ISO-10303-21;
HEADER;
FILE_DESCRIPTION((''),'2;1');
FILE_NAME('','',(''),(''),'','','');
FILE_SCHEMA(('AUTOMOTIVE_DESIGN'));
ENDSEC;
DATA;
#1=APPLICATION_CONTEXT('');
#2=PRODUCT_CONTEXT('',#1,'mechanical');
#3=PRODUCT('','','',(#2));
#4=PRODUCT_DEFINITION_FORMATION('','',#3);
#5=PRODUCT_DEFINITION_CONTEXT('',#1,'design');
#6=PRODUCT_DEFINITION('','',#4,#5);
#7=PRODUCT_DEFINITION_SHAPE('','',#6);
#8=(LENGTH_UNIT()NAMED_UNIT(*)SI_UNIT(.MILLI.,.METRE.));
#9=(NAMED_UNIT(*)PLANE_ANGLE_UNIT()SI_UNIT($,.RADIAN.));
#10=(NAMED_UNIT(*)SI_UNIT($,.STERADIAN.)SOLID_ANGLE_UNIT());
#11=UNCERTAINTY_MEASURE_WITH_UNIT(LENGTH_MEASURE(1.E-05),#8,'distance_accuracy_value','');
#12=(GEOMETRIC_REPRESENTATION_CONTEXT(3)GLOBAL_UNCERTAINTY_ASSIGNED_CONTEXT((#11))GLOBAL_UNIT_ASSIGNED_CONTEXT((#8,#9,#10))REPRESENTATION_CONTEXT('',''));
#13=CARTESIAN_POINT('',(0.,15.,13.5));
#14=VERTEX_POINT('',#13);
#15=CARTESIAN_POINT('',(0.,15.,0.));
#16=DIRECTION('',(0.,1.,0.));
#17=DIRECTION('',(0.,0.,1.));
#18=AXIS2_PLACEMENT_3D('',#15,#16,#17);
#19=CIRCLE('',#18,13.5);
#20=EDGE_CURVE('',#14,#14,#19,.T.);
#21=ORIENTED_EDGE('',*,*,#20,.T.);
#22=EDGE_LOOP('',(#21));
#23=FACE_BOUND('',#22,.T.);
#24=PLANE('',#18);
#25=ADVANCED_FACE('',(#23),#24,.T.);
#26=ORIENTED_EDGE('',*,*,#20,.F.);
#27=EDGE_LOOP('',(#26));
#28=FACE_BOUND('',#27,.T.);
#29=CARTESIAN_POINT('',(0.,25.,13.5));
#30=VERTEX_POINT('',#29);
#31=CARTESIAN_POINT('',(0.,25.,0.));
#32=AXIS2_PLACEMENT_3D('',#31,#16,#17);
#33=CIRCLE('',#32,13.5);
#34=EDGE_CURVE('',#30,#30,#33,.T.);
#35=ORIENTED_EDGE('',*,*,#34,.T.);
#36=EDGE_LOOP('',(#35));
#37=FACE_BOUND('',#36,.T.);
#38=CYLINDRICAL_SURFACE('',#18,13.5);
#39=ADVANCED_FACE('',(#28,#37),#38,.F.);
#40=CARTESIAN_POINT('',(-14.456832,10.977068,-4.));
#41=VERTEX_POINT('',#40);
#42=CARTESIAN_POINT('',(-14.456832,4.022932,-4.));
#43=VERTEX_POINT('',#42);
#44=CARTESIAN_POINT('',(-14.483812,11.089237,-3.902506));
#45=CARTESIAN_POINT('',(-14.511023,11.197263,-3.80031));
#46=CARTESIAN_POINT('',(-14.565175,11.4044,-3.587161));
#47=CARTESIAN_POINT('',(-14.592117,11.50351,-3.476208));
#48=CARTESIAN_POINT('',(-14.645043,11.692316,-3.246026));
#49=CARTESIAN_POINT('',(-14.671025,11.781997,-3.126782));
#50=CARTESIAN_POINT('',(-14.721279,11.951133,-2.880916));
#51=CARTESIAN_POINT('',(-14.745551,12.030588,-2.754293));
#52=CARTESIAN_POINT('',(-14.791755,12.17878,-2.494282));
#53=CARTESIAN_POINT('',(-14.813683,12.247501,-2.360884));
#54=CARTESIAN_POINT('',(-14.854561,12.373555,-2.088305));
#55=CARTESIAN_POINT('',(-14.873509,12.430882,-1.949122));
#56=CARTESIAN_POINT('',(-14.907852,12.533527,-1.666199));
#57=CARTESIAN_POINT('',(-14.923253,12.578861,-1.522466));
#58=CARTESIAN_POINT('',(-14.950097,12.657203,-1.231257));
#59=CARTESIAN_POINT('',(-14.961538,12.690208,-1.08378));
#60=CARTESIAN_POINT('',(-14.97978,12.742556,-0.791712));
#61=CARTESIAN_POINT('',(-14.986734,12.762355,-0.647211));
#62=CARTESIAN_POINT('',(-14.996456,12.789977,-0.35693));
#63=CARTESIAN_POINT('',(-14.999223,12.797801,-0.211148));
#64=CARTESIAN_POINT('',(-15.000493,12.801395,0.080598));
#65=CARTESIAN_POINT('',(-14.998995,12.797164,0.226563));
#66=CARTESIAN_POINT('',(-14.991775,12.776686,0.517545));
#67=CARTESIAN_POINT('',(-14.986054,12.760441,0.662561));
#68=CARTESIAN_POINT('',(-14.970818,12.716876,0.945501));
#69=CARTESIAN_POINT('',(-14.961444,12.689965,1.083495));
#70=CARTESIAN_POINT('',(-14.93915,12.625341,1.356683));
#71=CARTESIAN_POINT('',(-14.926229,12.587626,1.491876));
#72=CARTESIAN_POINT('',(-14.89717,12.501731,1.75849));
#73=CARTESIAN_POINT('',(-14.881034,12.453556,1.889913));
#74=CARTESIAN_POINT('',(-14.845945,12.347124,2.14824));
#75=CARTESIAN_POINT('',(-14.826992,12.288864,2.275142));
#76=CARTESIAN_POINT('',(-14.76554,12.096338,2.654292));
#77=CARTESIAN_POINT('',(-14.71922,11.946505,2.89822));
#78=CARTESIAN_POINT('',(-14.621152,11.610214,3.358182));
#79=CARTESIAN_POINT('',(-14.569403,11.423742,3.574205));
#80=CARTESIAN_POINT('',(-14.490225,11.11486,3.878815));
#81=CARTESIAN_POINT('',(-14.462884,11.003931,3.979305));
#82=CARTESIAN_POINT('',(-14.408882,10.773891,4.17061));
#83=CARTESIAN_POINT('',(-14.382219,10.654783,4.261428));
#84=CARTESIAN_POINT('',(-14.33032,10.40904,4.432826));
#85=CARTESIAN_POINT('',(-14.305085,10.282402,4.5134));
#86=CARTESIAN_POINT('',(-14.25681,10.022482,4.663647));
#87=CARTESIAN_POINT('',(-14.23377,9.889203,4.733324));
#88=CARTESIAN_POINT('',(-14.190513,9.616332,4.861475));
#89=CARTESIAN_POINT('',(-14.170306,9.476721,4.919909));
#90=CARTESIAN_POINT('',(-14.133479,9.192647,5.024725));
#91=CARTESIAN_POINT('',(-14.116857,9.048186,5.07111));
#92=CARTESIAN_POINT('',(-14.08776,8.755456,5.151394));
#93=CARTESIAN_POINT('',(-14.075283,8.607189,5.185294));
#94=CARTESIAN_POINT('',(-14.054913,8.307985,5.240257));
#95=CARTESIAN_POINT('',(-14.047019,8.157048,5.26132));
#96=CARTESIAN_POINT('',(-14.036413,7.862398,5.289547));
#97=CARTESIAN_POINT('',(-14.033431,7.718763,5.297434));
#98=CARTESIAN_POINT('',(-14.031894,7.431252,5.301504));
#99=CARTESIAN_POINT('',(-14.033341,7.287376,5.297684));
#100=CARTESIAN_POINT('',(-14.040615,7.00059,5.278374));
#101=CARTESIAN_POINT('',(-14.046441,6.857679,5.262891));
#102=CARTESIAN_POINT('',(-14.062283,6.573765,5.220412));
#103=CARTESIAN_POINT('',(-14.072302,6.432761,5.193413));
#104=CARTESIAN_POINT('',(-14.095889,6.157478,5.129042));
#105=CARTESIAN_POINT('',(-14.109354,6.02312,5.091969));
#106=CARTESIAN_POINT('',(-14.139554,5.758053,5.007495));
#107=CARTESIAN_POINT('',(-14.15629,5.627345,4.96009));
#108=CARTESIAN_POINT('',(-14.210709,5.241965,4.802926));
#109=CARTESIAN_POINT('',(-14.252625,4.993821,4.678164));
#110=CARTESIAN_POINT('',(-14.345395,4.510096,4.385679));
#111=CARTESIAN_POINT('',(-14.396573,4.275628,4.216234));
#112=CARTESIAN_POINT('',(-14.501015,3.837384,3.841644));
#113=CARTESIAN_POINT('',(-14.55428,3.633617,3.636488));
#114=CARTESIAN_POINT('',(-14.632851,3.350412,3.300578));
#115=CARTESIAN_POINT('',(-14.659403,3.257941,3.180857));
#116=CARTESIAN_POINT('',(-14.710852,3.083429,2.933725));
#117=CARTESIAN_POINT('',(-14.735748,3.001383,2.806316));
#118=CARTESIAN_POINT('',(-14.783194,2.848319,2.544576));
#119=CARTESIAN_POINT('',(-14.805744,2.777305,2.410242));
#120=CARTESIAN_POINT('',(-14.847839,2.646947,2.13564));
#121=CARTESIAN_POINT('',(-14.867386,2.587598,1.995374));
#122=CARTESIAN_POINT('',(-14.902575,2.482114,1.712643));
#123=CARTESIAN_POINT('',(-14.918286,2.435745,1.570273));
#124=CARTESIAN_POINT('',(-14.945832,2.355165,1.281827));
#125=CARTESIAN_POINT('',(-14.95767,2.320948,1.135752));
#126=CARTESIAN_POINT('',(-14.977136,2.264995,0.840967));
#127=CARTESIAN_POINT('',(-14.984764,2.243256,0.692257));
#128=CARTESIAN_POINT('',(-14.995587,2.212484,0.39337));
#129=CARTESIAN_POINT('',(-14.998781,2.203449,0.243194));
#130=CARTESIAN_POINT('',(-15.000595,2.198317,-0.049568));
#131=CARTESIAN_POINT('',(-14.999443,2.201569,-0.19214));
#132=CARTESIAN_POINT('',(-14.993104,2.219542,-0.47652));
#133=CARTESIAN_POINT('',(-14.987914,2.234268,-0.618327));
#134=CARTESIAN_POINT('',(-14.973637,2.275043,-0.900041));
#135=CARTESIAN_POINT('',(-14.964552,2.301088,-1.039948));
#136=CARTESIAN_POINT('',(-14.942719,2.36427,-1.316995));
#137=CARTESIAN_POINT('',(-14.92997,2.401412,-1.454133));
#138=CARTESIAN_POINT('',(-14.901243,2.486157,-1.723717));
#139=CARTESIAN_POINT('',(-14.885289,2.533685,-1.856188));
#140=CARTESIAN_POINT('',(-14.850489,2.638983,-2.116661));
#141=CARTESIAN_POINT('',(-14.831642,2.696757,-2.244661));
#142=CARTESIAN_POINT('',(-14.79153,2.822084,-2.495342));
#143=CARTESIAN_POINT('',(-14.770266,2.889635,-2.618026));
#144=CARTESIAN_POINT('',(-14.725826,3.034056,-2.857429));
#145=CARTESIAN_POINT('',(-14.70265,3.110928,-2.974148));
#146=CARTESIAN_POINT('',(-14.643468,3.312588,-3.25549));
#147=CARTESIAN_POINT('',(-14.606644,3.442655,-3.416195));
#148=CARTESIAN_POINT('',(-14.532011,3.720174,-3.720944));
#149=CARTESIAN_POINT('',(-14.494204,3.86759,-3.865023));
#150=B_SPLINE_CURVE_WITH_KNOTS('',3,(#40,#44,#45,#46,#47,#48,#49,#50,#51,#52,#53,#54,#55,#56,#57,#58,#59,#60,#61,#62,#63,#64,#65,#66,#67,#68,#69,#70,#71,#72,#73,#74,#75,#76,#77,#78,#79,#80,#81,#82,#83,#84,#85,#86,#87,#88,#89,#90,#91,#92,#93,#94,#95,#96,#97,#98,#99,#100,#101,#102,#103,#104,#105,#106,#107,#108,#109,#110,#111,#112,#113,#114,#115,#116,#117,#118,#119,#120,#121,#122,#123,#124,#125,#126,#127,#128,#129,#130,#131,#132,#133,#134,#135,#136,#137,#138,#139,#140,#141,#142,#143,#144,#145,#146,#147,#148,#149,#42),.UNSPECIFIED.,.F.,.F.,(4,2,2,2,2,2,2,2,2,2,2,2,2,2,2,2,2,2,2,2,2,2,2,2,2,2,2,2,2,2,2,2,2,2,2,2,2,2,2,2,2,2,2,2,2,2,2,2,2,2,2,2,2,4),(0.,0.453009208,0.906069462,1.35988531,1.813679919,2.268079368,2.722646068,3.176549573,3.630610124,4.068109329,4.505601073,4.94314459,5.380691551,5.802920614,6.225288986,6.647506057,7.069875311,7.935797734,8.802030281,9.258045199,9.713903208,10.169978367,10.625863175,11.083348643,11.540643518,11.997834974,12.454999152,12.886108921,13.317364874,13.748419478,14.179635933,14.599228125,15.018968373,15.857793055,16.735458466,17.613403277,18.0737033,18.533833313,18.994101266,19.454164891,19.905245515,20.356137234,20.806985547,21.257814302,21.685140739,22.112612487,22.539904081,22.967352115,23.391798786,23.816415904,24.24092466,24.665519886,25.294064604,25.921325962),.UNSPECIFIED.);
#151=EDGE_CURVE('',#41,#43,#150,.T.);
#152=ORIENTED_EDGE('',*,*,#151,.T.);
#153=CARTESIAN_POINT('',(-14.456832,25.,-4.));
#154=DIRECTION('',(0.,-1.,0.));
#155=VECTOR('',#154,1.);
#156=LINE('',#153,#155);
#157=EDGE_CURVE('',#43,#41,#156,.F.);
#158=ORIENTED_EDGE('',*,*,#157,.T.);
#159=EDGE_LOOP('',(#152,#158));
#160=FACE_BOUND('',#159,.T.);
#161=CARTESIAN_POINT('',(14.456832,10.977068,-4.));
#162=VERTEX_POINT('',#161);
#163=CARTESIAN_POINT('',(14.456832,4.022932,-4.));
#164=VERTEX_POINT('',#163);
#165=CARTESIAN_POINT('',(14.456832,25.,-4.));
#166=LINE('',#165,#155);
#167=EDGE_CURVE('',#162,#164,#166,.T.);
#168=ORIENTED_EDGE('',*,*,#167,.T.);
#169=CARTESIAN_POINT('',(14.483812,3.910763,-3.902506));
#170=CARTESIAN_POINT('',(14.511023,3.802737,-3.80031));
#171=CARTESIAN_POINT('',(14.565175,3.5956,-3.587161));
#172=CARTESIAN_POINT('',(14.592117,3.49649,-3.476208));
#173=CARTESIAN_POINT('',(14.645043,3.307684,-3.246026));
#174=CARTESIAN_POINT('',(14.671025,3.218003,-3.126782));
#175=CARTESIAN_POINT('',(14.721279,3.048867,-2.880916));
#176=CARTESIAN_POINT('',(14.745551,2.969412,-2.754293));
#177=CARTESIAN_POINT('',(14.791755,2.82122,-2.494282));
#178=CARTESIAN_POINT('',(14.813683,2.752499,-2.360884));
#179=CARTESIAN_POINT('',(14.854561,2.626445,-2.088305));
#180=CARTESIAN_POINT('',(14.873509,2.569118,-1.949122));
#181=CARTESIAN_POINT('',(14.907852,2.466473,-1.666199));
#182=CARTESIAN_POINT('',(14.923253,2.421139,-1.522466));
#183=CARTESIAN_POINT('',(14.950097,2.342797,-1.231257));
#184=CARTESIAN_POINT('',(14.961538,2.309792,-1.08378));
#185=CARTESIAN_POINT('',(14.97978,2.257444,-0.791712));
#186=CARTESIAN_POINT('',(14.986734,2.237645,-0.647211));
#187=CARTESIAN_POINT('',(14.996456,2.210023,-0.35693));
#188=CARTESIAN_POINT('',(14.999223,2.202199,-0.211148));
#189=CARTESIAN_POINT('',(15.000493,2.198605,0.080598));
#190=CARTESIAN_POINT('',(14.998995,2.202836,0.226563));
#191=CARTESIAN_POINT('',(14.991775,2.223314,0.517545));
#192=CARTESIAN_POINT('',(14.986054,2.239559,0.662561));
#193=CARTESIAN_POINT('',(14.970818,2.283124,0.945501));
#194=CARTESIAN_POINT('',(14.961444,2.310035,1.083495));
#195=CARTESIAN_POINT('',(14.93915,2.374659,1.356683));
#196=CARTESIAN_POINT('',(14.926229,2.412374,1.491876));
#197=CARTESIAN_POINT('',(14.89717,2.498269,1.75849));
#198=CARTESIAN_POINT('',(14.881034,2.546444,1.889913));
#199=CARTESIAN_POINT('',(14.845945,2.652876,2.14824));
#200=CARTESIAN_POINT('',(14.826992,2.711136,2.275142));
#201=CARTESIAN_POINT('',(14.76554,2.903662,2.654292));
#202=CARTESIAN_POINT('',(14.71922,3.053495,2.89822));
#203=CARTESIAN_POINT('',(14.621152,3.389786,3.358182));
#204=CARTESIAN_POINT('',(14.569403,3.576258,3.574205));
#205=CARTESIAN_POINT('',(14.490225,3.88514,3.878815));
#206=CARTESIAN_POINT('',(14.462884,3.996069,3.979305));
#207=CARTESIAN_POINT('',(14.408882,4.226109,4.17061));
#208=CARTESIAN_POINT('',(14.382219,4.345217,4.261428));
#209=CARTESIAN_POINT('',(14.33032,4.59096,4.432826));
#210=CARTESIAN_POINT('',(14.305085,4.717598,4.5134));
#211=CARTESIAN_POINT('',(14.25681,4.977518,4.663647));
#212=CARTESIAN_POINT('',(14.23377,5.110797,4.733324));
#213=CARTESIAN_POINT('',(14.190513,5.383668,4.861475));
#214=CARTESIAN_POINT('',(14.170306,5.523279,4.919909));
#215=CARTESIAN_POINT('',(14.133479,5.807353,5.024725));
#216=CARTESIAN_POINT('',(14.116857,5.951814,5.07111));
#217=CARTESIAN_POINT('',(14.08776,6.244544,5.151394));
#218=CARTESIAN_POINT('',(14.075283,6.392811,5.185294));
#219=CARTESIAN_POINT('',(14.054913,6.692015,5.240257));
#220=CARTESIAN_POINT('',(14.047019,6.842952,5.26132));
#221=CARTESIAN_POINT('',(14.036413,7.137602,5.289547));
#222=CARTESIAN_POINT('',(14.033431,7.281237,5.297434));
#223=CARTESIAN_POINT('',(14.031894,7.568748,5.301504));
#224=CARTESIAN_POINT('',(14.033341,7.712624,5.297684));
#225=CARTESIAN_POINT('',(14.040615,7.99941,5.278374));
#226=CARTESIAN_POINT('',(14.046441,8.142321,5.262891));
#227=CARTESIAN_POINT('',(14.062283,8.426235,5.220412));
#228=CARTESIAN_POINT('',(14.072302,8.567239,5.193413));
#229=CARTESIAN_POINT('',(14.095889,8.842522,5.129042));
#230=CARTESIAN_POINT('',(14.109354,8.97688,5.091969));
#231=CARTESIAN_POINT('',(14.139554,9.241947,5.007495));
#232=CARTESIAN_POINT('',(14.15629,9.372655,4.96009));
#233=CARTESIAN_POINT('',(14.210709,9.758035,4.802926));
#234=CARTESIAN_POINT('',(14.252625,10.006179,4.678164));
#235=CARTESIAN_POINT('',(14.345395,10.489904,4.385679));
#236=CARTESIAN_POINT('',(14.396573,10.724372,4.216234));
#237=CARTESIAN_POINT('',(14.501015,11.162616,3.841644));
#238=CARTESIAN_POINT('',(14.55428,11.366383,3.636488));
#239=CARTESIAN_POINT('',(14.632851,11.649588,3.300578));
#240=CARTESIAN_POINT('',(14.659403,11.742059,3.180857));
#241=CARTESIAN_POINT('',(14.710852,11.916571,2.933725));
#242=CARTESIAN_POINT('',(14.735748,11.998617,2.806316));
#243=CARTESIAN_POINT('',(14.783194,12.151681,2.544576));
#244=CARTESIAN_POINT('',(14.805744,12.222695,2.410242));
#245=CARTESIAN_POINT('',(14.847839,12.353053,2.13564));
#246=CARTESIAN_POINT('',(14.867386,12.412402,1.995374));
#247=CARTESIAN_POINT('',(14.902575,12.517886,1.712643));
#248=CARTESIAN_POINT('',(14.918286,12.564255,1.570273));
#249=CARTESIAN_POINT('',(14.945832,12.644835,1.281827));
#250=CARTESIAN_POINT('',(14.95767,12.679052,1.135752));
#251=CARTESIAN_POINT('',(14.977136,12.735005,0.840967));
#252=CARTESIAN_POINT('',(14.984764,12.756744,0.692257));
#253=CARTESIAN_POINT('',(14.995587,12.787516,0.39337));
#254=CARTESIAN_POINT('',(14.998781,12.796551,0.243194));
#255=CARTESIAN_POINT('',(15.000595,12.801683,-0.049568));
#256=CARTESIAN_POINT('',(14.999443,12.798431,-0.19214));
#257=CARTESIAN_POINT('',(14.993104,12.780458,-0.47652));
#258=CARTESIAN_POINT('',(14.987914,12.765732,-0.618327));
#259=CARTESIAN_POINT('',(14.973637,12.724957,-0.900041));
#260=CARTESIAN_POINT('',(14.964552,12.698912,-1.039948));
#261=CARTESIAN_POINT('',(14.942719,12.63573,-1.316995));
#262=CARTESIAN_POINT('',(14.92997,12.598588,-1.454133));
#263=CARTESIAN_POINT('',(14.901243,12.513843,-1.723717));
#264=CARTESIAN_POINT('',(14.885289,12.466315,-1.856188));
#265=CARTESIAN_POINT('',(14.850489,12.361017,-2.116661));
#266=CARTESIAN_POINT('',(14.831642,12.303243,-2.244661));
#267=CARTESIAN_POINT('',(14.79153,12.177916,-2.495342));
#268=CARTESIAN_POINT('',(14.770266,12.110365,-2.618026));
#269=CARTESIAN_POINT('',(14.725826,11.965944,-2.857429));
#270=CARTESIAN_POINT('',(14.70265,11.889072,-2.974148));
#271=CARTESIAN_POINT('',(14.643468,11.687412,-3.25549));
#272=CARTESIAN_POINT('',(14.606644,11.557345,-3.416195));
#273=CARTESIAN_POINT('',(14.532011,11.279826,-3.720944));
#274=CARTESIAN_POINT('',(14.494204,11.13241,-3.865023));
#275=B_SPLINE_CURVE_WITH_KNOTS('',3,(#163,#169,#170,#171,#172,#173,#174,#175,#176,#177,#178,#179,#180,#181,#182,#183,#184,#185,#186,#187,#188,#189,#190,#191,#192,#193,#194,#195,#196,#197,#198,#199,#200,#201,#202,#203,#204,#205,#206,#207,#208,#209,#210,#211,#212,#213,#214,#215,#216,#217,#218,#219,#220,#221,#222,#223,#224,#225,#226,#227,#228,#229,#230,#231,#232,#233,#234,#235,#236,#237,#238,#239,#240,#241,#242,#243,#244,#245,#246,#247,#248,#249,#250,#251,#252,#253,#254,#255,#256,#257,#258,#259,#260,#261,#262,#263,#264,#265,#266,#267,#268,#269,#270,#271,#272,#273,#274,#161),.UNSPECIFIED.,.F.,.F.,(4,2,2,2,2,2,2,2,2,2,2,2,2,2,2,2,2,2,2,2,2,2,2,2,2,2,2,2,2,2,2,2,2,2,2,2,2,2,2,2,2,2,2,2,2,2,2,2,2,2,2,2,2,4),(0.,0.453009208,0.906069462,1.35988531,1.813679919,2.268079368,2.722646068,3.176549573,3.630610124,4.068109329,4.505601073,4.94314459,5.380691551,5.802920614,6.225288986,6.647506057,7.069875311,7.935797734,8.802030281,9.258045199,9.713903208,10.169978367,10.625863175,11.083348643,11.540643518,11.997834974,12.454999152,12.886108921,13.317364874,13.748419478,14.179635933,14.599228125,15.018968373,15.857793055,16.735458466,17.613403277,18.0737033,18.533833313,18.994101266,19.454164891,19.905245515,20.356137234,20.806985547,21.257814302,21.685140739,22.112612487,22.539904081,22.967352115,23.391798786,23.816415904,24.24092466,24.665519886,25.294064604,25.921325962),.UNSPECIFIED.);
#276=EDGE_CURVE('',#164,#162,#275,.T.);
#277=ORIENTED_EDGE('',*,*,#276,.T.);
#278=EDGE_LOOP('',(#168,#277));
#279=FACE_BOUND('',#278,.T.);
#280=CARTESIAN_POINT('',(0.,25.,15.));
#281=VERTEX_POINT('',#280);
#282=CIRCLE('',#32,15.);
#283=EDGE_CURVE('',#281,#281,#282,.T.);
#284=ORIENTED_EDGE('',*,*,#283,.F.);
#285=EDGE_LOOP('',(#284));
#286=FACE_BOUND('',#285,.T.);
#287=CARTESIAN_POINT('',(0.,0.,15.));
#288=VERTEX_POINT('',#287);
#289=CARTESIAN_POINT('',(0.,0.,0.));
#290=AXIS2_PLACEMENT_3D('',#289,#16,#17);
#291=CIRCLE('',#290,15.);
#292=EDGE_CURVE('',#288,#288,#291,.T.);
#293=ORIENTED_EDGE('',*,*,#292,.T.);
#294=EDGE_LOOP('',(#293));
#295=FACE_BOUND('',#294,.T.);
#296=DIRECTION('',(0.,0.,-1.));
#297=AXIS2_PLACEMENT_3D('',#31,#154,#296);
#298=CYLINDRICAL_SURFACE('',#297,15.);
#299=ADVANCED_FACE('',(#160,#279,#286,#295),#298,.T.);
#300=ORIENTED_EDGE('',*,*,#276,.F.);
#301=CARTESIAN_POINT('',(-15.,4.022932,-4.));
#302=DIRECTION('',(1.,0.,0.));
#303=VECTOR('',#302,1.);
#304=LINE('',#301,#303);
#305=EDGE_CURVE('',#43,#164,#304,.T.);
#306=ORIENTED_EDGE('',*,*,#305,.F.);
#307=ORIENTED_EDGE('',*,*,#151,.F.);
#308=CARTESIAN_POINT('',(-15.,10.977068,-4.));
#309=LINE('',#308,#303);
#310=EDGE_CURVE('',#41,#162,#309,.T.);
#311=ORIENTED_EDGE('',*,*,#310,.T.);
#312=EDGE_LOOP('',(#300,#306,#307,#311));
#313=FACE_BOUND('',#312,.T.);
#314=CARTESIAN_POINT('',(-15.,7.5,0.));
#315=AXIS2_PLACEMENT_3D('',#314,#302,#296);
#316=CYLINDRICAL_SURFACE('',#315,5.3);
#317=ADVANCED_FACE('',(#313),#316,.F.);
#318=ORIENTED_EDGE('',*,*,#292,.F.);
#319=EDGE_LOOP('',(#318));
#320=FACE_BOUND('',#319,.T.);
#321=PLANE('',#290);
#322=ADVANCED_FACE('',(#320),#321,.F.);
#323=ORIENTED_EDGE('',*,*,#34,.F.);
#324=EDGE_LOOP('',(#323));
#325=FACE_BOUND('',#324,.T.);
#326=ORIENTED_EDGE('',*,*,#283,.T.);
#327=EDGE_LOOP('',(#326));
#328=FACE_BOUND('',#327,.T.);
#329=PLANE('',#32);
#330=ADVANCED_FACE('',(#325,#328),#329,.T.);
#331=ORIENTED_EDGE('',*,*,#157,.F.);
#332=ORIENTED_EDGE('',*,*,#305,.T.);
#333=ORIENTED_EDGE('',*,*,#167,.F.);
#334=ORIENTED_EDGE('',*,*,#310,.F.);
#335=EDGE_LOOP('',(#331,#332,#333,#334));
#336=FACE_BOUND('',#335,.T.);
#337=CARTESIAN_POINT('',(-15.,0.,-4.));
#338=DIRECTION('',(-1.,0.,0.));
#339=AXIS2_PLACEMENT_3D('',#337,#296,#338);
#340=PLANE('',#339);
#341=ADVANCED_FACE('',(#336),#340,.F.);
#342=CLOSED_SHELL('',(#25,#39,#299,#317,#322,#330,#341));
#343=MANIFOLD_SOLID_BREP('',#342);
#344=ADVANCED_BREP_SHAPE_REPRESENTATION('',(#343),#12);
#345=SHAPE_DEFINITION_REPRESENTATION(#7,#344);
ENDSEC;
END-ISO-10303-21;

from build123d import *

# Parameters (mm, degrees)
ESBO_O1_R                  = 15
RESSALTO_EXTRUS_O1_DEPTH   = 25
ESBO_O2_R                  = 13.5
CORTE_EXTRUS_O1_DEPTH      = 10
CORTE_EXTRUS_O3_DEPTH      = 16
CORTE_EXTRUS_O3_DEPTH_BACK = 16


with BuildPart() as part:
    # Esboço1 → Ressalto-extrusão1 (new body)
    with BuildSketch(Plane(origin=(0, 0, 0), x_dir=(1, 0, 0), z_dir=(0, 1, 0))):
        Circle(ESBO_O1_R)
    extrude(amount=RESSALTO_EXTRUS_O1_DEPTH)

    # Esboço2 → Corte-extrusão1 (cut)
    with BuildSketch(Plane(origin=(0, 25, 0), x_dir=(1, 0, 0), z_dir=(0, 1, 0))):
        Circle(ESBO_O2_R)
    extrude(amount=-CORTE_EXTRUS_O1_DEPTH, mode=Mode.SUBTRACT)

    # Esboço4 → Corte-extrusão3 (cut, two sides)
    with BuildSketch(Plane(origin=(0, 0, 0), x_dir=(0, 0, -1), z_dir=(1, 0, 0))) as corte_extrus_o3_sk:
        with BuildLine():
            ThreePointArc((4, 10.97706773), (-5.3, 7.5), (4, 4.02293227))
            Line((4, 4.02293227), (4, 10.97706773))
        make_face()
    extrude(amount=CORTE_EXTRUS_O3_DEPTH, mode=Mode.SUBTRACT)
    extrude(corte_extrus_o3_sk.sketch, amount=-CORTE_EXTRUS_O3_DEPTH_BACK, mode=Mode.SUBTRACT)


solid = part.part
